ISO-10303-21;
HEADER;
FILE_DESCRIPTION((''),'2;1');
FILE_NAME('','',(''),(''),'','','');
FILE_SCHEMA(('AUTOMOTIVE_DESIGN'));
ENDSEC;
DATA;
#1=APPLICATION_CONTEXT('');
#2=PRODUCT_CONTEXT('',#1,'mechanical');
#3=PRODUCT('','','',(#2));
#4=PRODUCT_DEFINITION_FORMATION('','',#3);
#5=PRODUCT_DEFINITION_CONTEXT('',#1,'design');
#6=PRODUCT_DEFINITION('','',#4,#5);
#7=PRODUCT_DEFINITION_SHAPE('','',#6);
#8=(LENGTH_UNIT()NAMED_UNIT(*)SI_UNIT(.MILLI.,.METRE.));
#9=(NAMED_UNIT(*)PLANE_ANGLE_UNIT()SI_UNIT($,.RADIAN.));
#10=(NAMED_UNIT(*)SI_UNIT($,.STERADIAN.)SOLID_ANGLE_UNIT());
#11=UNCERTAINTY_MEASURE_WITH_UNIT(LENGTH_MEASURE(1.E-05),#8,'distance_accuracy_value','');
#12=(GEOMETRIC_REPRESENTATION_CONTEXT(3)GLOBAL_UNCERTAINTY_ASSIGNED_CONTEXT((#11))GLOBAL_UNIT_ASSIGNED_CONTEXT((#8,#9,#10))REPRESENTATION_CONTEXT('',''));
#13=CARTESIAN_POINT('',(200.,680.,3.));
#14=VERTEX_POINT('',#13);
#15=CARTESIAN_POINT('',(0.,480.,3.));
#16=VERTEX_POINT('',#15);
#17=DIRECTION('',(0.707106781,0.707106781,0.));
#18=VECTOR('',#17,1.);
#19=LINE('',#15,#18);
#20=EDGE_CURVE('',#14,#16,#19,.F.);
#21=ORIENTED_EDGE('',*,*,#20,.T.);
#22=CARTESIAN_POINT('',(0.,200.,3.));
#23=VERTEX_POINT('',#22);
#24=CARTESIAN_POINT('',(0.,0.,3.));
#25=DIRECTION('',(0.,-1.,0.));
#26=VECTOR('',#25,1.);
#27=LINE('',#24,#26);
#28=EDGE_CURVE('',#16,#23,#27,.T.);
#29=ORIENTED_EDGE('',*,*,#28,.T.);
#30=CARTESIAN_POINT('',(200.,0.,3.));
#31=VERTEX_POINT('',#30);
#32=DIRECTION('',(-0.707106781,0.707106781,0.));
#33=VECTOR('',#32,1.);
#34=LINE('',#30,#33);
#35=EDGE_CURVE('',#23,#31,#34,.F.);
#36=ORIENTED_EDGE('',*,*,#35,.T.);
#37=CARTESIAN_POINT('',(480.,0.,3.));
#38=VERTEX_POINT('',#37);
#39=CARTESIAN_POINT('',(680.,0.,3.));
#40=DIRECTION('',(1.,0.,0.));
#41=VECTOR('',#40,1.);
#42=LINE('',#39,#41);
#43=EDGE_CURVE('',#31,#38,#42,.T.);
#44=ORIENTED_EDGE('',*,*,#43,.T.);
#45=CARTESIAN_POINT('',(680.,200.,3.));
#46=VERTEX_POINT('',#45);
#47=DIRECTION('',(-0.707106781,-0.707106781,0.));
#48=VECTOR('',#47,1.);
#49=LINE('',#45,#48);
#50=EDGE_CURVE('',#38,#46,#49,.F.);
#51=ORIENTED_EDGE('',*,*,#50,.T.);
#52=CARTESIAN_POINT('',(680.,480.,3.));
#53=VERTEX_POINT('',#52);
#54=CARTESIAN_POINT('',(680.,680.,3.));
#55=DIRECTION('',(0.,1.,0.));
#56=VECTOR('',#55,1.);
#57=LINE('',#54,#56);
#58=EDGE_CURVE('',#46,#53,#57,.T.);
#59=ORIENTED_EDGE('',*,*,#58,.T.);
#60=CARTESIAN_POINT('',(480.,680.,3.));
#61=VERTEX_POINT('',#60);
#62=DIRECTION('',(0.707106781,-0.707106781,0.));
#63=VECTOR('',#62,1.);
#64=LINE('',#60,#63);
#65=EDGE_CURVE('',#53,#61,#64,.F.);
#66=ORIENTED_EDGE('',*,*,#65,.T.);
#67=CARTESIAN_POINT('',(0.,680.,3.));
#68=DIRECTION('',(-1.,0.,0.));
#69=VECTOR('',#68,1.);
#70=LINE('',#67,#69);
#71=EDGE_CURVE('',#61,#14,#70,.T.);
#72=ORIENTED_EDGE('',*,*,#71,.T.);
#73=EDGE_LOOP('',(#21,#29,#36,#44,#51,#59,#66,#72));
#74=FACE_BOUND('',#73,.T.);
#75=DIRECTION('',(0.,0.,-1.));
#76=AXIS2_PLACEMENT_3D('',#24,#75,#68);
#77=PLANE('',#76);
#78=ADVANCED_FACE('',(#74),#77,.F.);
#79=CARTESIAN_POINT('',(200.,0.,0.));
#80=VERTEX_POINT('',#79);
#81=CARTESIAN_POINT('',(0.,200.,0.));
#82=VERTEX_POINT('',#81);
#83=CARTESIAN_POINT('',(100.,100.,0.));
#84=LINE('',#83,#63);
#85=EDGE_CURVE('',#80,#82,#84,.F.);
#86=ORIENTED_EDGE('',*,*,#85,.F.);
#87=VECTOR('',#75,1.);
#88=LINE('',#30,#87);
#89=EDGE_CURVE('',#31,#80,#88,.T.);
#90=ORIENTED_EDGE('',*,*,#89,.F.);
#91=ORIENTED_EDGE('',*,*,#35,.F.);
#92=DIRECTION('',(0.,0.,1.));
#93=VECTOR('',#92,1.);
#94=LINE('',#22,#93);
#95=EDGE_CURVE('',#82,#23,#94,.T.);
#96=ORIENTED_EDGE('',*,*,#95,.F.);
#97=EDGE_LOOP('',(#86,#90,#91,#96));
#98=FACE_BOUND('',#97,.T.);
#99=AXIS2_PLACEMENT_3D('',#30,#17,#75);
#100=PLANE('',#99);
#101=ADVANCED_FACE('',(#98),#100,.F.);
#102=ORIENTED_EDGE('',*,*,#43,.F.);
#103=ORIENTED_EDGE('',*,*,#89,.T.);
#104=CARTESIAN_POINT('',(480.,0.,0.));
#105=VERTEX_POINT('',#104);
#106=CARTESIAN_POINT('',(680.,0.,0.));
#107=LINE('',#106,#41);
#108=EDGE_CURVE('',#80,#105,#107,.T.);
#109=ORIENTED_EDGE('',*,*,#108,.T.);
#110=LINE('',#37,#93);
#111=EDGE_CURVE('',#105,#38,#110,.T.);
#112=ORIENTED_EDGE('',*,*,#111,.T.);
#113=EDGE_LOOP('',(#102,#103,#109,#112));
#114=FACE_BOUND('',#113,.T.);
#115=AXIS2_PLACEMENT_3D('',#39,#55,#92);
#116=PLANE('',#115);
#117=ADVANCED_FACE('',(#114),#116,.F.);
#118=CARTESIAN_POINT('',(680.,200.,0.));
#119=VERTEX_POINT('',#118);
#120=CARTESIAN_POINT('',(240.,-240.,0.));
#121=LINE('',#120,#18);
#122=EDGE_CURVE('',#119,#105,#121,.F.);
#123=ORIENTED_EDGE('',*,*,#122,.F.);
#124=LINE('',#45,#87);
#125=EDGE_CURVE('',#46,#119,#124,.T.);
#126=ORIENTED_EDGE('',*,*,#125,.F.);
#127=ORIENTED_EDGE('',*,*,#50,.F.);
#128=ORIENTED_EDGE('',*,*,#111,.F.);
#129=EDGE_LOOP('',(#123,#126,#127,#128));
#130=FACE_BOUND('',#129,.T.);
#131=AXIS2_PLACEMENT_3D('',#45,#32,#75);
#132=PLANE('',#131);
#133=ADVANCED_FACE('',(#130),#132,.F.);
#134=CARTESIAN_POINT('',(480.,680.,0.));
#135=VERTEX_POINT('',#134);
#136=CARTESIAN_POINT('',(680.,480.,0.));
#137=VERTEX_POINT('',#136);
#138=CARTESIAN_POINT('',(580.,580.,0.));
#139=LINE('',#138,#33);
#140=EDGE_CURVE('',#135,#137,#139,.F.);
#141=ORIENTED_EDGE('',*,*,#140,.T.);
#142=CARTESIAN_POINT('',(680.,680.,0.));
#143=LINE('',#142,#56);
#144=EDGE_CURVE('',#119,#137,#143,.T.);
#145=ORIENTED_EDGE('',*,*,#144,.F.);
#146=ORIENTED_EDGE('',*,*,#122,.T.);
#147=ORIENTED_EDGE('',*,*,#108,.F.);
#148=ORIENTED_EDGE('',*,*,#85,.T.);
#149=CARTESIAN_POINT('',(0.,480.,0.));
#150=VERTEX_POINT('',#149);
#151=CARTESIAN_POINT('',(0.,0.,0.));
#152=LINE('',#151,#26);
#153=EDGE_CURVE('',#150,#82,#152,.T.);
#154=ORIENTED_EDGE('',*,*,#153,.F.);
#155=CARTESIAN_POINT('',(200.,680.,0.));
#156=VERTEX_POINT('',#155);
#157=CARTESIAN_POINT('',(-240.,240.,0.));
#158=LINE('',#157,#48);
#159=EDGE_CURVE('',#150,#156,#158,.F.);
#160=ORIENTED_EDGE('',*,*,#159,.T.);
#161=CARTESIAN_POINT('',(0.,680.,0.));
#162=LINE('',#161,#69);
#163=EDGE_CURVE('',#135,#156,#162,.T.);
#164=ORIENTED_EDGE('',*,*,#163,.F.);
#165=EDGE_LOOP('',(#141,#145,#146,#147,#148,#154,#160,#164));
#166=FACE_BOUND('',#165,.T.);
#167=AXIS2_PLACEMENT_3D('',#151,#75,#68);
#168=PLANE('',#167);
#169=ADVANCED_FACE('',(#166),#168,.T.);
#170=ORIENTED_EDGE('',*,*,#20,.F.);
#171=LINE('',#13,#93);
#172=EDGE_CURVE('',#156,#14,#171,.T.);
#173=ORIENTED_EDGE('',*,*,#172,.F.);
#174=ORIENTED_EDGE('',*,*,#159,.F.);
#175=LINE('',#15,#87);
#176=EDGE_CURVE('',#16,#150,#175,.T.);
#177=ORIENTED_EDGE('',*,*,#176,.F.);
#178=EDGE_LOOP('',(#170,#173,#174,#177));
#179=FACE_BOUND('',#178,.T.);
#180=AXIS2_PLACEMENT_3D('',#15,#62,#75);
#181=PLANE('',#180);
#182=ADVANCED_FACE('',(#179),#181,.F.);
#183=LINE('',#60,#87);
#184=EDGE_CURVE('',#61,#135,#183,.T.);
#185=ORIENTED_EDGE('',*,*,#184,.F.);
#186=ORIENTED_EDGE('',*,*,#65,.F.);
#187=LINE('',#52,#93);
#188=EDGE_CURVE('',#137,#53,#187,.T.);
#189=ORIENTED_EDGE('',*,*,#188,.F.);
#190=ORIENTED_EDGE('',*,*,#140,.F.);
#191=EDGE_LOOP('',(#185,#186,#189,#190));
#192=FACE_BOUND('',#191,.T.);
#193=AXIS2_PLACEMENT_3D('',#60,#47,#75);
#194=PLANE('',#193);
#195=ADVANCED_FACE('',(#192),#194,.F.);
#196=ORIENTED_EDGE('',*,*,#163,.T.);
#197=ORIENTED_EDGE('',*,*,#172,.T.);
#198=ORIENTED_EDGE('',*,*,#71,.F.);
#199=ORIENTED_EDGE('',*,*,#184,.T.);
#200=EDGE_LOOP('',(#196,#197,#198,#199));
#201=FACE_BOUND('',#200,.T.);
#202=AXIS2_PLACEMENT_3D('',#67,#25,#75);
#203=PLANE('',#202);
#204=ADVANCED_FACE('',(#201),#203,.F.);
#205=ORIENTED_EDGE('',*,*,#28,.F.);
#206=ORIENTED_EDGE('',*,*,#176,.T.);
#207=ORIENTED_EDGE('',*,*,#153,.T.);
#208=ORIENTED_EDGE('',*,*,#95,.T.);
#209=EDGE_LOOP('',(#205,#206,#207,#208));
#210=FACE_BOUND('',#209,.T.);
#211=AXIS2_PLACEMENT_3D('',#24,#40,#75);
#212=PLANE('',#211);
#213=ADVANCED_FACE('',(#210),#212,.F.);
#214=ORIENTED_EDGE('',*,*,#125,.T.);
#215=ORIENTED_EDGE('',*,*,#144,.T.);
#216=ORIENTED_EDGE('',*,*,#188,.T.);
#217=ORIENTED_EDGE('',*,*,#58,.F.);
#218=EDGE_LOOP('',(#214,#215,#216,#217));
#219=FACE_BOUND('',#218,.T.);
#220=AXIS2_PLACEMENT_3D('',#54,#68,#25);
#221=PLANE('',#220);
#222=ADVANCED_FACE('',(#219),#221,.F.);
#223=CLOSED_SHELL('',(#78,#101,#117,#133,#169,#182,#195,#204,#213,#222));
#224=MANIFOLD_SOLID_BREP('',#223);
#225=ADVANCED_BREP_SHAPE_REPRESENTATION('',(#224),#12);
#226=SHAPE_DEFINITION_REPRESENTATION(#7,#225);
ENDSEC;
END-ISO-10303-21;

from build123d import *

# Parameters (mm, degrees)
ESBO_O1_W                = 680
ESBO_O1_H                = 680
RESSALTO_EXTRUS_O1_DEPTH = 3
CHANFRO1_SIZE            = 200


with BuildPart() as part:
    # Esboço1 → Ressalto-extrusão1 (new body)
    with BuildSketch(Plane.XY):
        with Locations((340, 340)):
            Rectangle(ESBO_O1_W, ESBO_O1_H)
    extrude(amount=RESSALTO_EXTRUS_O1_DEPTH)

    # Chanfro1
    chanfro1_edges = [part.edges().sort_by_distance(p)[0] for p in [
        (0, 0, 1.5),
        (0, 680, 1.5),
        (680, 680, 1.5),
        (680, 0, 1.5),
    ]]
    chamfer(chanfro1_edges, length=CHANFRO1_SIZE)


solid = part.part
